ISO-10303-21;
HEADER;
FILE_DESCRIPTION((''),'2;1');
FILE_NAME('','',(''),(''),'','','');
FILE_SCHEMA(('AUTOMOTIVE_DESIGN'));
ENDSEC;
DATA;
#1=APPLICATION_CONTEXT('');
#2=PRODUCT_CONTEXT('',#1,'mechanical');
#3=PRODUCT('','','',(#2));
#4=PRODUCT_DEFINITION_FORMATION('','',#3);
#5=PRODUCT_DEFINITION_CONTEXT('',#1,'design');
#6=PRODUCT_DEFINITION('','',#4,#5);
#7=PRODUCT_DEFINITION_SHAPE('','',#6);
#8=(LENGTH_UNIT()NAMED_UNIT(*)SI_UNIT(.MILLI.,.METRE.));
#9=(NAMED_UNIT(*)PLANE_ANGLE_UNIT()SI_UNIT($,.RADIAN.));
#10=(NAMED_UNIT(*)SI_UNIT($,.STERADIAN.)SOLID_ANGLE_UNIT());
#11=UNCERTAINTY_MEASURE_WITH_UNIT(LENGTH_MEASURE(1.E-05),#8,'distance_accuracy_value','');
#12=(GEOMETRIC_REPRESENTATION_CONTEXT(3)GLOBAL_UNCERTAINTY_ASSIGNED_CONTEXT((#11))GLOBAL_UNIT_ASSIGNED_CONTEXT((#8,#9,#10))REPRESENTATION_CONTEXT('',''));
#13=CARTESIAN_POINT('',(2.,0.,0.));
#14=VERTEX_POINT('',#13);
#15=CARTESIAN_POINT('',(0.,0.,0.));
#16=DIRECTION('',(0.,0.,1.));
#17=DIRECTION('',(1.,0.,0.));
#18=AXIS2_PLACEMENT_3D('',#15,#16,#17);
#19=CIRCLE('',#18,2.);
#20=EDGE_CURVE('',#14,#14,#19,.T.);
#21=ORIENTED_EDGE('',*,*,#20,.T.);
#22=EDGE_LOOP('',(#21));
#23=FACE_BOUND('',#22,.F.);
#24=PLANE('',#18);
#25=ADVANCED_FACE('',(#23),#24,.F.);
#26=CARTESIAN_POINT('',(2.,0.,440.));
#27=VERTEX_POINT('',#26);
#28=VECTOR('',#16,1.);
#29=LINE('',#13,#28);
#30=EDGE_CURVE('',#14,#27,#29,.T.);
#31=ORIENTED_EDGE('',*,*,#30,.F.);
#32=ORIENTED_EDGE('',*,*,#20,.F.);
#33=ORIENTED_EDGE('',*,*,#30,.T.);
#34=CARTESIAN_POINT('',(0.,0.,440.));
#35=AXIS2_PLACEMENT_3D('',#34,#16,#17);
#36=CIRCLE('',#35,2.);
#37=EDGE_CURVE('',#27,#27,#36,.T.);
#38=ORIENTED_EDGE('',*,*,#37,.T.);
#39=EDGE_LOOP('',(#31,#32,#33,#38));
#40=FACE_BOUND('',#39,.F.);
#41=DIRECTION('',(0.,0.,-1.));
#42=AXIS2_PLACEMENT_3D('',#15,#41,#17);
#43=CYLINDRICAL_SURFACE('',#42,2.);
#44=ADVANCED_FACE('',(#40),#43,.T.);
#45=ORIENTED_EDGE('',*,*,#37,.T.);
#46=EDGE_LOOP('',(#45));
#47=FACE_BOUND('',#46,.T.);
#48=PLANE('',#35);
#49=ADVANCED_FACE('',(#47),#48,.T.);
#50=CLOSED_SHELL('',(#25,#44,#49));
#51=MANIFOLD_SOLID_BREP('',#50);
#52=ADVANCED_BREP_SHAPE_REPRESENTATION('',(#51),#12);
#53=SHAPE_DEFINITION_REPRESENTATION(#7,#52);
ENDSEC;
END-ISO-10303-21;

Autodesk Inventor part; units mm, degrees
ref_plane "YZ Plane" through (0, 0, 0) normal (1, 0, 0) x (0, 1, 0)
ref_plane "XZ Plane" through (0, 0, 0) normal (0, 1, 0) x (-1, 0, 0)
ref_plane "XY Plane" through (0, 0, 0) normal (0, 0, 1) x (1, 0, 0)
sketch "Sketch1" plane through (0, 0, 0) normal (0, 0, 1) x (1, 0, 0)
  circle A0 centre (0, 0) radius 2
  dimension "d0" = 4
extrude "Extrusion1" add sketch "Sketch1" along normal blind 440
properties part number "Welle"
